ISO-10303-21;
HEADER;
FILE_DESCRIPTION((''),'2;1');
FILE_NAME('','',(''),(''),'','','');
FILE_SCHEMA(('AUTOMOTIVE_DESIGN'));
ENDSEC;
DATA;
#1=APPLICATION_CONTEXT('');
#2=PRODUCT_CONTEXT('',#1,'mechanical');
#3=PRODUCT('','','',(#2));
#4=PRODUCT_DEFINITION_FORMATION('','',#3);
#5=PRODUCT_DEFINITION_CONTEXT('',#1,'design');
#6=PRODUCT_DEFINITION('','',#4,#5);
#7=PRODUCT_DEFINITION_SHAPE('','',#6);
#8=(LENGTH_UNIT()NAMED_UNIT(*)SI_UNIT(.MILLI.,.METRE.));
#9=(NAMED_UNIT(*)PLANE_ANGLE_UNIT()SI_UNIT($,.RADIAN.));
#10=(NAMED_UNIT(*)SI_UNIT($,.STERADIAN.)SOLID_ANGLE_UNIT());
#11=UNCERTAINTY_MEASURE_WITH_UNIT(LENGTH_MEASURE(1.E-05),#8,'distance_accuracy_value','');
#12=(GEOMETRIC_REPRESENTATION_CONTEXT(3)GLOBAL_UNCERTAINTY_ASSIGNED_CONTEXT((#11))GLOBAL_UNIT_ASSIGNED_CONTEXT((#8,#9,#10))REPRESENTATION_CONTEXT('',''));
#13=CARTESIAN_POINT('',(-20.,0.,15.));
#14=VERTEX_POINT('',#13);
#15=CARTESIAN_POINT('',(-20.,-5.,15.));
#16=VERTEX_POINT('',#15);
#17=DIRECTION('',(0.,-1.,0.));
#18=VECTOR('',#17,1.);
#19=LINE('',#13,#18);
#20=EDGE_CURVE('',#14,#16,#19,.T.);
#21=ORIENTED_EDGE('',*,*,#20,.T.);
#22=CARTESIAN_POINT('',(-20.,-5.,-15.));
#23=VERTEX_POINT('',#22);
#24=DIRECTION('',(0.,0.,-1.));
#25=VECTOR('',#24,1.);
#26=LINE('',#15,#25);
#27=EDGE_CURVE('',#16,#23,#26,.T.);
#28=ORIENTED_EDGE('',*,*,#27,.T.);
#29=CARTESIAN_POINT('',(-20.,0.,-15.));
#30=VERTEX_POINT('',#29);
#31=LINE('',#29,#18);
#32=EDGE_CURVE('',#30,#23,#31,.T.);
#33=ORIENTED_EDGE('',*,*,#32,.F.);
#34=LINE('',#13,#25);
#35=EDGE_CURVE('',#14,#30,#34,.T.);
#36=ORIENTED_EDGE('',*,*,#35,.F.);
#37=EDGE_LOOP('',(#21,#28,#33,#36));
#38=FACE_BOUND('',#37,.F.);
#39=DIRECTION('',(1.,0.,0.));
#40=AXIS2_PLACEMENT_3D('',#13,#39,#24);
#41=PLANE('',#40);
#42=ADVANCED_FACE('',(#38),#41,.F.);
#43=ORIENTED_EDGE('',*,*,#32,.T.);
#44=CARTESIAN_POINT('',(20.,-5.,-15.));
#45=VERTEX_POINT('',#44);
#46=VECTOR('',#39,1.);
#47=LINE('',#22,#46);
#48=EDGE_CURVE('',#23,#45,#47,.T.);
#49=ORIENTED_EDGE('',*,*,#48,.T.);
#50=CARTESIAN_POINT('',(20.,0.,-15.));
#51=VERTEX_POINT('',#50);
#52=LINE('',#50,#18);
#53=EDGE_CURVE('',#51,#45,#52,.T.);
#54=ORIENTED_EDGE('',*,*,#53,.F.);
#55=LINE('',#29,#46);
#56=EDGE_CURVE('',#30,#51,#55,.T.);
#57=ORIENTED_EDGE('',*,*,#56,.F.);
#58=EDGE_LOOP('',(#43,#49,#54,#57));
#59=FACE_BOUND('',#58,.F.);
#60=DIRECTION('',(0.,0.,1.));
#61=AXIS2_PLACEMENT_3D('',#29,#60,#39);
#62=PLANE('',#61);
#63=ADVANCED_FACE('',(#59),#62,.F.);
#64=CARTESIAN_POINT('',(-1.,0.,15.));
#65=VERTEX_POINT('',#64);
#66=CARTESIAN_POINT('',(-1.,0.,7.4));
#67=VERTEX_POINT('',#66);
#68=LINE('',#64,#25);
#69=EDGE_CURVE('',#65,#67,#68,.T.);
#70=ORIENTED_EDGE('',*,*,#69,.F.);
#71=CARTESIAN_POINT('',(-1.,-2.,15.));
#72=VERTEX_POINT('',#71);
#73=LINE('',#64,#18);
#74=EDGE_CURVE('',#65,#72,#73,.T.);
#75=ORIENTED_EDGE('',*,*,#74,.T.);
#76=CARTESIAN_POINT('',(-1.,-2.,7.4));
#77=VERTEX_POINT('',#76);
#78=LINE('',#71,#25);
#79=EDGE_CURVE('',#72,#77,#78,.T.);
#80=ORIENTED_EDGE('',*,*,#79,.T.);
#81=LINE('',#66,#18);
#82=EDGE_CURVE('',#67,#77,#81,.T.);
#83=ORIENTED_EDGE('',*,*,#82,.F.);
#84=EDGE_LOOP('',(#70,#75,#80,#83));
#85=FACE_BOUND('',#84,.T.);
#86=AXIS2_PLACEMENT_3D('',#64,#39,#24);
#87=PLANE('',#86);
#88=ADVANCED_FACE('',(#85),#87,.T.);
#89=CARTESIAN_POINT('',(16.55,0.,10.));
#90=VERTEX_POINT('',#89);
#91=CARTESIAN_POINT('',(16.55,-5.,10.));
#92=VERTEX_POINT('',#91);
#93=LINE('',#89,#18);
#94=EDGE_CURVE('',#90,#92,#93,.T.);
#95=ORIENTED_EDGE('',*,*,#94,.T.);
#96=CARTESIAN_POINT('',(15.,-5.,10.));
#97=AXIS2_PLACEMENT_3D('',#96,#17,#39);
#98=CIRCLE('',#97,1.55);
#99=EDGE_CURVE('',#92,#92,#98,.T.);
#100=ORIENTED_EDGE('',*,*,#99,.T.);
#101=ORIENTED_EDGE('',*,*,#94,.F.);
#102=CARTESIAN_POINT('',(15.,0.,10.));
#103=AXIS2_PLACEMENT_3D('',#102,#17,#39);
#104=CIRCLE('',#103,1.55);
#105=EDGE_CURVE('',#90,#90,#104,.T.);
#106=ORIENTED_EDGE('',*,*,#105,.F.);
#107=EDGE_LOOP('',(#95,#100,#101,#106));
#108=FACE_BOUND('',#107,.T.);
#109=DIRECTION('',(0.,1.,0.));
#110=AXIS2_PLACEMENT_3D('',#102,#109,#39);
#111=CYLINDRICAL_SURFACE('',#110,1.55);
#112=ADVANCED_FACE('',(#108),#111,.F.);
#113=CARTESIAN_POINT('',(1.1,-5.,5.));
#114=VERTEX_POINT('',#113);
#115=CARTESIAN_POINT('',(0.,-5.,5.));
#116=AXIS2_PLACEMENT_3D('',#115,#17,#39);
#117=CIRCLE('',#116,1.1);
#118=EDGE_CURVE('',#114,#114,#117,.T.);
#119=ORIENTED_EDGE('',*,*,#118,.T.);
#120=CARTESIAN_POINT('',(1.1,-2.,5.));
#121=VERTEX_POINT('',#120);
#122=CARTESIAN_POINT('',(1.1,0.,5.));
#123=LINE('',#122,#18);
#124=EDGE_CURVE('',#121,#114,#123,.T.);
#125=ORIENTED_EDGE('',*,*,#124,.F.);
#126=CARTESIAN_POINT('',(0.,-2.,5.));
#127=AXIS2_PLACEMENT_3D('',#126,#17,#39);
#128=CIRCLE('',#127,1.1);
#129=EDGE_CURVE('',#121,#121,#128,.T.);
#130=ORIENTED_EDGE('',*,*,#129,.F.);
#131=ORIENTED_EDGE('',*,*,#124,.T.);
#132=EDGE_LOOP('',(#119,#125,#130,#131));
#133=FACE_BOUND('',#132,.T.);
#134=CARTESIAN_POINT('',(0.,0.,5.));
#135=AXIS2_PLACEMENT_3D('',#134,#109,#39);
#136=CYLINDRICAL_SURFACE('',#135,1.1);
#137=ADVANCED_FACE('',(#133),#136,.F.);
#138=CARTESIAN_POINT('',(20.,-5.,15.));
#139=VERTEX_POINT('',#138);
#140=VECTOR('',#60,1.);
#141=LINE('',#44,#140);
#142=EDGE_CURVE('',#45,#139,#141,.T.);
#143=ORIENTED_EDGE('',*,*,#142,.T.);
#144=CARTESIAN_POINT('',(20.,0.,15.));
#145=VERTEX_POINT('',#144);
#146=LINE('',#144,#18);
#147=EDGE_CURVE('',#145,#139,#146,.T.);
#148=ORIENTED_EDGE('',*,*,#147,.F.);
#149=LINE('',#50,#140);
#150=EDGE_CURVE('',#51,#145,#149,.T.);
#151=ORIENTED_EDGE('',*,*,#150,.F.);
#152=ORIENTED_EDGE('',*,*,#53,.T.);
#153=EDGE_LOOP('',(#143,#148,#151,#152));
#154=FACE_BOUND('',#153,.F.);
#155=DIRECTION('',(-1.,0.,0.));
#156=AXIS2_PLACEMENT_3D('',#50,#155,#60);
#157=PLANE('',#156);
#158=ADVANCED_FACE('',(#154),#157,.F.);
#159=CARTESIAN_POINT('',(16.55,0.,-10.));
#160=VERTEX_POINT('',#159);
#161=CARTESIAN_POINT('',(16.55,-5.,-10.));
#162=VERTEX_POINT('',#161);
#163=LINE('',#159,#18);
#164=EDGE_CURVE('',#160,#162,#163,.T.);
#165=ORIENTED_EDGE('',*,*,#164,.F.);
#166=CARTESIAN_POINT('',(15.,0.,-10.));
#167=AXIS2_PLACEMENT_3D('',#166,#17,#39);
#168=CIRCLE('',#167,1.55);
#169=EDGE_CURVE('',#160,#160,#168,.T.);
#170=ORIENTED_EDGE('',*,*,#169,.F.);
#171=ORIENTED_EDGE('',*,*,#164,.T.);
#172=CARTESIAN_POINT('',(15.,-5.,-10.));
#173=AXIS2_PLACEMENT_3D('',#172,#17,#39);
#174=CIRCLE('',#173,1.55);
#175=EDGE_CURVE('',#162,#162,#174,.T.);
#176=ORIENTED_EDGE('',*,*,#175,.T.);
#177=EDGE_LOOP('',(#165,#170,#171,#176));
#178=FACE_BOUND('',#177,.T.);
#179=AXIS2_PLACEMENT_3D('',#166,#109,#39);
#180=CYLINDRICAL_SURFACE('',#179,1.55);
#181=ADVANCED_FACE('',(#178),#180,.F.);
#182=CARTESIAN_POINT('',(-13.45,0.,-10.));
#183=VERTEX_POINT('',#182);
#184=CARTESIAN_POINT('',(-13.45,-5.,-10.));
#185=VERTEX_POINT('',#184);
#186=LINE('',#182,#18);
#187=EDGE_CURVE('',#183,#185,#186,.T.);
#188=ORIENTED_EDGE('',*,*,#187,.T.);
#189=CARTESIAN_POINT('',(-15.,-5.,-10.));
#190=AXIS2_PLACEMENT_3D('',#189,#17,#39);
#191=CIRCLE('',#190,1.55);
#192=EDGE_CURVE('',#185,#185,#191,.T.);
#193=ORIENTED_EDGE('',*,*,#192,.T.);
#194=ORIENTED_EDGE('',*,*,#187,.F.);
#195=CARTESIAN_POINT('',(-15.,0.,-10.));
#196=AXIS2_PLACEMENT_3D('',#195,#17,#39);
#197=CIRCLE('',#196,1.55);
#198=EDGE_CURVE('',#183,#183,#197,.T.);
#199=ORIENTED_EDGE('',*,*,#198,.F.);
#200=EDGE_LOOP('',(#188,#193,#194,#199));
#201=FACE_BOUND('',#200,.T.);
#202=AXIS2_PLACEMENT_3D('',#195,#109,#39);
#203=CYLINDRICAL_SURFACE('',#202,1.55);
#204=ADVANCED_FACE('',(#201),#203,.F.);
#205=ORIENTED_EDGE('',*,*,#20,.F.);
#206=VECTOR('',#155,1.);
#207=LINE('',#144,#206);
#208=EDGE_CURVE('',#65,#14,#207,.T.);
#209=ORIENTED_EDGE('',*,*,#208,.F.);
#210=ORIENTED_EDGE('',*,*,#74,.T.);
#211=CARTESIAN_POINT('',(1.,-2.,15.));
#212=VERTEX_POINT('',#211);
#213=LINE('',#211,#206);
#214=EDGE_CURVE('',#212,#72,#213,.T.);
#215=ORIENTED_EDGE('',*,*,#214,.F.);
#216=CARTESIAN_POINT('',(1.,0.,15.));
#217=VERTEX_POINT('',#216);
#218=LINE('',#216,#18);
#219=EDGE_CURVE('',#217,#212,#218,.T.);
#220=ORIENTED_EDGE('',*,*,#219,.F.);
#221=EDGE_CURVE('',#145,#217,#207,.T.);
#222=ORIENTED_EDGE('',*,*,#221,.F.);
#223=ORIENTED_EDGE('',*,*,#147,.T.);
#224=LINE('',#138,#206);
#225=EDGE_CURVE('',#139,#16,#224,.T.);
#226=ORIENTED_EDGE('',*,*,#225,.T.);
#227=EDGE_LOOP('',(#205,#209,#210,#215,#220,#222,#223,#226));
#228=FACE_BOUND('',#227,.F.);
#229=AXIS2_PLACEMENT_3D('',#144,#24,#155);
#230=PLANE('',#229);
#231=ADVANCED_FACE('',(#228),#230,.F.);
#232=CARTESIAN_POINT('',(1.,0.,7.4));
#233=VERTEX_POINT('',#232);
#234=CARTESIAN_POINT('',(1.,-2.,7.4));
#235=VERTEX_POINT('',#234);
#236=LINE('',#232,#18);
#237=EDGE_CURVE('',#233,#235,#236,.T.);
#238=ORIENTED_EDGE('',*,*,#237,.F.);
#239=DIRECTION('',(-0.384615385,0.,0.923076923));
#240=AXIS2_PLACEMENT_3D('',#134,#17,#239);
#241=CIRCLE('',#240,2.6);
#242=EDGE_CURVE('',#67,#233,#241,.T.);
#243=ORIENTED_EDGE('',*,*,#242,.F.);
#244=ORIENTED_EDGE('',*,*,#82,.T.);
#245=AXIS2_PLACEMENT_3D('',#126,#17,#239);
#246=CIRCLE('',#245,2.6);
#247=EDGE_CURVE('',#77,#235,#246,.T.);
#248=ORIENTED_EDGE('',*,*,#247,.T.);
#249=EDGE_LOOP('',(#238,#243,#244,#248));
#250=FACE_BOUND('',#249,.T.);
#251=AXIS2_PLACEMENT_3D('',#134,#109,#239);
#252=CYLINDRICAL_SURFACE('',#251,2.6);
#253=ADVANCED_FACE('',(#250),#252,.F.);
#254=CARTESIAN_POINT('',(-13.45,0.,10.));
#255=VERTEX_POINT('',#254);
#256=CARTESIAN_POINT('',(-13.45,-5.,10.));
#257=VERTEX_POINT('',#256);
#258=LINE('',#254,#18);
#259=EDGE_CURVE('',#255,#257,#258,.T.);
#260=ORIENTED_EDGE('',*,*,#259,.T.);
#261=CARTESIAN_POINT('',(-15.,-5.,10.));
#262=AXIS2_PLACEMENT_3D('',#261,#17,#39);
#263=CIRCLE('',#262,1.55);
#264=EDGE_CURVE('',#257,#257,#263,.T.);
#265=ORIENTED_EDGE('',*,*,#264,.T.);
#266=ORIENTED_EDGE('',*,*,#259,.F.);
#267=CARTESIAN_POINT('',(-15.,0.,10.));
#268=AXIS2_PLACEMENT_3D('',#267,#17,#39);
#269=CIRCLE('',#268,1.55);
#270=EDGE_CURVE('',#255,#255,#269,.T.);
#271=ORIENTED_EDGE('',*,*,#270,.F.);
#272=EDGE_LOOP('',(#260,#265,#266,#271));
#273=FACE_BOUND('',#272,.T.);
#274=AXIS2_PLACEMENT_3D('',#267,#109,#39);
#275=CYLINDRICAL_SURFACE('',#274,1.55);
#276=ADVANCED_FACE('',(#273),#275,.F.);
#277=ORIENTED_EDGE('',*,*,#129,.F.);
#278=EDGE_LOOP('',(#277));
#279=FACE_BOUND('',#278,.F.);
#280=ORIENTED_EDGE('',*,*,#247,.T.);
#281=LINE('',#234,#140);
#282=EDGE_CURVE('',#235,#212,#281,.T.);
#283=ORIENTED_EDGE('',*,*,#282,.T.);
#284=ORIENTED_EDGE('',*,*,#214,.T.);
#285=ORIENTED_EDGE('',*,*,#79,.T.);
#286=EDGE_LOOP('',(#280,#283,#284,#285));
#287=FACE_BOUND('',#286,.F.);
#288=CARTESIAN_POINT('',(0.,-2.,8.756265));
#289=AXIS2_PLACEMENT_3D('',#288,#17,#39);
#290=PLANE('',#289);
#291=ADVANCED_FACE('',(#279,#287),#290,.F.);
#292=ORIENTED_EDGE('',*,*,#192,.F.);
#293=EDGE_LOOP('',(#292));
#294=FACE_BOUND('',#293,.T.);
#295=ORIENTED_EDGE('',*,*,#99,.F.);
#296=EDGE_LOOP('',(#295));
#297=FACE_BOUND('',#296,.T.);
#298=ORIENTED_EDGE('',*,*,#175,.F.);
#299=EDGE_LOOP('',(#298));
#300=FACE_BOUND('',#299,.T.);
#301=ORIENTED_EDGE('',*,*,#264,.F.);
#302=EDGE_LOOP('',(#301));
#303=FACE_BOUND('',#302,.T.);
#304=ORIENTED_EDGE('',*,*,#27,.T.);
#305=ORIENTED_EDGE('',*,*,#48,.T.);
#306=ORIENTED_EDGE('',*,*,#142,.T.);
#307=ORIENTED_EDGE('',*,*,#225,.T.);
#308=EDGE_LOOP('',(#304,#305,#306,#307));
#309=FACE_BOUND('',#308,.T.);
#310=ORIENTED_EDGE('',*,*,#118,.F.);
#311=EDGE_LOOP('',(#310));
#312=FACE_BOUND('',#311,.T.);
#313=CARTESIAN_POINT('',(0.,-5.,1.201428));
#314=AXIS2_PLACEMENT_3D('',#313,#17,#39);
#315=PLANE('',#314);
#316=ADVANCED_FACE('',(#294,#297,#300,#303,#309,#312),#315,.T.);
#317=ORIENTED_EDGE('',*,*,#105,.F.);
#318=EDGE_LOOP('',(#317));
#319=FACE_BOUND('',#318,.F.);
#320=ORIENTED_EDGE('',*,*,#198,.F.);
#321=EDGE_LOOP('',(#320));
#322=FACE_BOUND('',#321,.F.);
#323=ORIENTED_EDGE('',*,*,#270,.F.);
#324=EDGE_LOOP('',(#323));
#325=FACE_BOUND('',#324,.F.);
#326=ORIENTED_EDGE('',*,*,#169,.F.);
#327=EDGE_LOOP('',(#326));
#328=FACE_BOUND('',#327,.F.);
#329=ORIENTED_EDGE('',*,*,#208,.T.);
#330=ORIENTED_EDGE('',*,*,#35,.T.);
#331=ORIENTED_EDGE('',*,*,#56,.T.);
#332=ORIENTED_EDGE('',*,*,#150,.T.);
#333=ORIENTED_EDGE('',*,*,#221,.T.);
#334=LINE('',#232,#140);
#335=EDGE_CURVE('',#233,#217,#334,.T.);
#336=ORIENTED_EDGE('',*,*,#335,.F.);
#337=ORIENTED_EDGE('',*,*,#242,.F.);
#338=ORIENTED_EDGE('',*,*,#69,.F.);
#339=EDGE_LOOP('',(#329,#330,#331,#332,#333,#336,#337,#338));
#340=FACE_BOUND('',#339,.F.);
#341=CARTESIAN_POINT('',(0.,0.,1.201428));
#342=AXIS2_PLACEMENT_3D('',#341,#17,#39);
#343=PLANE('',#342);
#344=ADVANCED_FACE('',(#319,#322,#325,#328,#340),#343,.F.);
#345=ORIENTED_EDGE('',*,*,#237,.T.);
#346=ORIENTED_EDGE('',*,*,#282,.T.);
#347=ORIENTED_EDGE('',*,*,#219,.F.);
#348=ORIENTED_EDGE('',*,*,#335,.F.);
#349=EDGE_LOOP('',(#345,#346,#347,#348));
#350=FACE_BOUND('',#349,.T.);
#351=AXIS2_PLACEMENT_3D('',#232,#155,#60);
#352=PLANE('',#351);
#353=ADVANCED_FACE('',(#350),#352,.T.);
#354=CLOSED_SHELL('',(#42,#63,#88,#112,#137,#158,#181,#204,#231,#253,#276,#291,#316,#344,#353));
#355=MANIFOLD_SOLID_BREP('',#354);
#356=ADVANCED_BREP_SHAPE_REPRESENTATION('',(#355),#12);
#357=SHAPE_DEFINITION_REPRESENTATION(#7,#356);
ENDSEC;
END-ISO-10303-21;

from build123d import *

# Parameters (mm, degrees)
F0_R     = 1.55
F0_R_2   = 1.1
F1_DEPTH = 5
F2_DEPTH = 2


with BuildPart() as f1:
    # F0 (on Front) → F1 (new body)
    with BuildSketch(Plane.XZ):
        with BuildLine():
            Line((-20, -15), (20, -15))
            Line((20, -15), (20, 15))
            Line((20, 15), (1, 15))
            Line((1, 15), (1, 7.4))
            ThreePointArc((1, 7.4), (0, 2.4), (-1, 7.4))
            Line((-1, 7.4), (-1, 15))
            Line((-1, 15), (-20, 15))
            Line((-20, 15), (-20, -15))
        make_face()
        with Locations((-15, -10)):
            Circle(F0_R, mode=Mode.SUBTRACT)
        with Locations((15, -10)):
            Circle(F0_R, mode=Mode.SUBTRACT)
        with Locations((-15, 10)):
            Circle(F0_R, mode=Mode.SUBTRACT)
        with Locations((15, 10)):
            Circle(F0_R, mode=Mode.SUBTRACT)
        with BuildLine():
            Line((1, 7.4), (1, 15))
            Line((1, 15), (-1, 15))
            Line((-1, 15), (-1, 7.4))
            ThreePointArc((-1, 7.4), (0, 2.4), (1, 7.4))
        make_face()
        with Locations((0, 5)):
            Circle(F0_R_2, mode=Mode.SUBTRACT)
    extrude(amount=F1_DEPTH)

    # F0 (on Front) → F2 (cut)
    with BuildSketch(Plane.XZ):
        with BuildLine():
            Line((1, 7.4), (1, 15))
            Line((1, 15), (-1, 15))
            Line((-1, 15), (-1, 7.4))
            ThreePointArc((-1, 7.4), (0, 2.4), (1, 7.4))
        make_face()
        with Locations((0, 5)):
            Circle(F0_R_2, mode=Mode.SUBTRACT)
    extrude(amount=F2_DEPTH, mode=Mode.SUBTRACT)


solid = f1.part
